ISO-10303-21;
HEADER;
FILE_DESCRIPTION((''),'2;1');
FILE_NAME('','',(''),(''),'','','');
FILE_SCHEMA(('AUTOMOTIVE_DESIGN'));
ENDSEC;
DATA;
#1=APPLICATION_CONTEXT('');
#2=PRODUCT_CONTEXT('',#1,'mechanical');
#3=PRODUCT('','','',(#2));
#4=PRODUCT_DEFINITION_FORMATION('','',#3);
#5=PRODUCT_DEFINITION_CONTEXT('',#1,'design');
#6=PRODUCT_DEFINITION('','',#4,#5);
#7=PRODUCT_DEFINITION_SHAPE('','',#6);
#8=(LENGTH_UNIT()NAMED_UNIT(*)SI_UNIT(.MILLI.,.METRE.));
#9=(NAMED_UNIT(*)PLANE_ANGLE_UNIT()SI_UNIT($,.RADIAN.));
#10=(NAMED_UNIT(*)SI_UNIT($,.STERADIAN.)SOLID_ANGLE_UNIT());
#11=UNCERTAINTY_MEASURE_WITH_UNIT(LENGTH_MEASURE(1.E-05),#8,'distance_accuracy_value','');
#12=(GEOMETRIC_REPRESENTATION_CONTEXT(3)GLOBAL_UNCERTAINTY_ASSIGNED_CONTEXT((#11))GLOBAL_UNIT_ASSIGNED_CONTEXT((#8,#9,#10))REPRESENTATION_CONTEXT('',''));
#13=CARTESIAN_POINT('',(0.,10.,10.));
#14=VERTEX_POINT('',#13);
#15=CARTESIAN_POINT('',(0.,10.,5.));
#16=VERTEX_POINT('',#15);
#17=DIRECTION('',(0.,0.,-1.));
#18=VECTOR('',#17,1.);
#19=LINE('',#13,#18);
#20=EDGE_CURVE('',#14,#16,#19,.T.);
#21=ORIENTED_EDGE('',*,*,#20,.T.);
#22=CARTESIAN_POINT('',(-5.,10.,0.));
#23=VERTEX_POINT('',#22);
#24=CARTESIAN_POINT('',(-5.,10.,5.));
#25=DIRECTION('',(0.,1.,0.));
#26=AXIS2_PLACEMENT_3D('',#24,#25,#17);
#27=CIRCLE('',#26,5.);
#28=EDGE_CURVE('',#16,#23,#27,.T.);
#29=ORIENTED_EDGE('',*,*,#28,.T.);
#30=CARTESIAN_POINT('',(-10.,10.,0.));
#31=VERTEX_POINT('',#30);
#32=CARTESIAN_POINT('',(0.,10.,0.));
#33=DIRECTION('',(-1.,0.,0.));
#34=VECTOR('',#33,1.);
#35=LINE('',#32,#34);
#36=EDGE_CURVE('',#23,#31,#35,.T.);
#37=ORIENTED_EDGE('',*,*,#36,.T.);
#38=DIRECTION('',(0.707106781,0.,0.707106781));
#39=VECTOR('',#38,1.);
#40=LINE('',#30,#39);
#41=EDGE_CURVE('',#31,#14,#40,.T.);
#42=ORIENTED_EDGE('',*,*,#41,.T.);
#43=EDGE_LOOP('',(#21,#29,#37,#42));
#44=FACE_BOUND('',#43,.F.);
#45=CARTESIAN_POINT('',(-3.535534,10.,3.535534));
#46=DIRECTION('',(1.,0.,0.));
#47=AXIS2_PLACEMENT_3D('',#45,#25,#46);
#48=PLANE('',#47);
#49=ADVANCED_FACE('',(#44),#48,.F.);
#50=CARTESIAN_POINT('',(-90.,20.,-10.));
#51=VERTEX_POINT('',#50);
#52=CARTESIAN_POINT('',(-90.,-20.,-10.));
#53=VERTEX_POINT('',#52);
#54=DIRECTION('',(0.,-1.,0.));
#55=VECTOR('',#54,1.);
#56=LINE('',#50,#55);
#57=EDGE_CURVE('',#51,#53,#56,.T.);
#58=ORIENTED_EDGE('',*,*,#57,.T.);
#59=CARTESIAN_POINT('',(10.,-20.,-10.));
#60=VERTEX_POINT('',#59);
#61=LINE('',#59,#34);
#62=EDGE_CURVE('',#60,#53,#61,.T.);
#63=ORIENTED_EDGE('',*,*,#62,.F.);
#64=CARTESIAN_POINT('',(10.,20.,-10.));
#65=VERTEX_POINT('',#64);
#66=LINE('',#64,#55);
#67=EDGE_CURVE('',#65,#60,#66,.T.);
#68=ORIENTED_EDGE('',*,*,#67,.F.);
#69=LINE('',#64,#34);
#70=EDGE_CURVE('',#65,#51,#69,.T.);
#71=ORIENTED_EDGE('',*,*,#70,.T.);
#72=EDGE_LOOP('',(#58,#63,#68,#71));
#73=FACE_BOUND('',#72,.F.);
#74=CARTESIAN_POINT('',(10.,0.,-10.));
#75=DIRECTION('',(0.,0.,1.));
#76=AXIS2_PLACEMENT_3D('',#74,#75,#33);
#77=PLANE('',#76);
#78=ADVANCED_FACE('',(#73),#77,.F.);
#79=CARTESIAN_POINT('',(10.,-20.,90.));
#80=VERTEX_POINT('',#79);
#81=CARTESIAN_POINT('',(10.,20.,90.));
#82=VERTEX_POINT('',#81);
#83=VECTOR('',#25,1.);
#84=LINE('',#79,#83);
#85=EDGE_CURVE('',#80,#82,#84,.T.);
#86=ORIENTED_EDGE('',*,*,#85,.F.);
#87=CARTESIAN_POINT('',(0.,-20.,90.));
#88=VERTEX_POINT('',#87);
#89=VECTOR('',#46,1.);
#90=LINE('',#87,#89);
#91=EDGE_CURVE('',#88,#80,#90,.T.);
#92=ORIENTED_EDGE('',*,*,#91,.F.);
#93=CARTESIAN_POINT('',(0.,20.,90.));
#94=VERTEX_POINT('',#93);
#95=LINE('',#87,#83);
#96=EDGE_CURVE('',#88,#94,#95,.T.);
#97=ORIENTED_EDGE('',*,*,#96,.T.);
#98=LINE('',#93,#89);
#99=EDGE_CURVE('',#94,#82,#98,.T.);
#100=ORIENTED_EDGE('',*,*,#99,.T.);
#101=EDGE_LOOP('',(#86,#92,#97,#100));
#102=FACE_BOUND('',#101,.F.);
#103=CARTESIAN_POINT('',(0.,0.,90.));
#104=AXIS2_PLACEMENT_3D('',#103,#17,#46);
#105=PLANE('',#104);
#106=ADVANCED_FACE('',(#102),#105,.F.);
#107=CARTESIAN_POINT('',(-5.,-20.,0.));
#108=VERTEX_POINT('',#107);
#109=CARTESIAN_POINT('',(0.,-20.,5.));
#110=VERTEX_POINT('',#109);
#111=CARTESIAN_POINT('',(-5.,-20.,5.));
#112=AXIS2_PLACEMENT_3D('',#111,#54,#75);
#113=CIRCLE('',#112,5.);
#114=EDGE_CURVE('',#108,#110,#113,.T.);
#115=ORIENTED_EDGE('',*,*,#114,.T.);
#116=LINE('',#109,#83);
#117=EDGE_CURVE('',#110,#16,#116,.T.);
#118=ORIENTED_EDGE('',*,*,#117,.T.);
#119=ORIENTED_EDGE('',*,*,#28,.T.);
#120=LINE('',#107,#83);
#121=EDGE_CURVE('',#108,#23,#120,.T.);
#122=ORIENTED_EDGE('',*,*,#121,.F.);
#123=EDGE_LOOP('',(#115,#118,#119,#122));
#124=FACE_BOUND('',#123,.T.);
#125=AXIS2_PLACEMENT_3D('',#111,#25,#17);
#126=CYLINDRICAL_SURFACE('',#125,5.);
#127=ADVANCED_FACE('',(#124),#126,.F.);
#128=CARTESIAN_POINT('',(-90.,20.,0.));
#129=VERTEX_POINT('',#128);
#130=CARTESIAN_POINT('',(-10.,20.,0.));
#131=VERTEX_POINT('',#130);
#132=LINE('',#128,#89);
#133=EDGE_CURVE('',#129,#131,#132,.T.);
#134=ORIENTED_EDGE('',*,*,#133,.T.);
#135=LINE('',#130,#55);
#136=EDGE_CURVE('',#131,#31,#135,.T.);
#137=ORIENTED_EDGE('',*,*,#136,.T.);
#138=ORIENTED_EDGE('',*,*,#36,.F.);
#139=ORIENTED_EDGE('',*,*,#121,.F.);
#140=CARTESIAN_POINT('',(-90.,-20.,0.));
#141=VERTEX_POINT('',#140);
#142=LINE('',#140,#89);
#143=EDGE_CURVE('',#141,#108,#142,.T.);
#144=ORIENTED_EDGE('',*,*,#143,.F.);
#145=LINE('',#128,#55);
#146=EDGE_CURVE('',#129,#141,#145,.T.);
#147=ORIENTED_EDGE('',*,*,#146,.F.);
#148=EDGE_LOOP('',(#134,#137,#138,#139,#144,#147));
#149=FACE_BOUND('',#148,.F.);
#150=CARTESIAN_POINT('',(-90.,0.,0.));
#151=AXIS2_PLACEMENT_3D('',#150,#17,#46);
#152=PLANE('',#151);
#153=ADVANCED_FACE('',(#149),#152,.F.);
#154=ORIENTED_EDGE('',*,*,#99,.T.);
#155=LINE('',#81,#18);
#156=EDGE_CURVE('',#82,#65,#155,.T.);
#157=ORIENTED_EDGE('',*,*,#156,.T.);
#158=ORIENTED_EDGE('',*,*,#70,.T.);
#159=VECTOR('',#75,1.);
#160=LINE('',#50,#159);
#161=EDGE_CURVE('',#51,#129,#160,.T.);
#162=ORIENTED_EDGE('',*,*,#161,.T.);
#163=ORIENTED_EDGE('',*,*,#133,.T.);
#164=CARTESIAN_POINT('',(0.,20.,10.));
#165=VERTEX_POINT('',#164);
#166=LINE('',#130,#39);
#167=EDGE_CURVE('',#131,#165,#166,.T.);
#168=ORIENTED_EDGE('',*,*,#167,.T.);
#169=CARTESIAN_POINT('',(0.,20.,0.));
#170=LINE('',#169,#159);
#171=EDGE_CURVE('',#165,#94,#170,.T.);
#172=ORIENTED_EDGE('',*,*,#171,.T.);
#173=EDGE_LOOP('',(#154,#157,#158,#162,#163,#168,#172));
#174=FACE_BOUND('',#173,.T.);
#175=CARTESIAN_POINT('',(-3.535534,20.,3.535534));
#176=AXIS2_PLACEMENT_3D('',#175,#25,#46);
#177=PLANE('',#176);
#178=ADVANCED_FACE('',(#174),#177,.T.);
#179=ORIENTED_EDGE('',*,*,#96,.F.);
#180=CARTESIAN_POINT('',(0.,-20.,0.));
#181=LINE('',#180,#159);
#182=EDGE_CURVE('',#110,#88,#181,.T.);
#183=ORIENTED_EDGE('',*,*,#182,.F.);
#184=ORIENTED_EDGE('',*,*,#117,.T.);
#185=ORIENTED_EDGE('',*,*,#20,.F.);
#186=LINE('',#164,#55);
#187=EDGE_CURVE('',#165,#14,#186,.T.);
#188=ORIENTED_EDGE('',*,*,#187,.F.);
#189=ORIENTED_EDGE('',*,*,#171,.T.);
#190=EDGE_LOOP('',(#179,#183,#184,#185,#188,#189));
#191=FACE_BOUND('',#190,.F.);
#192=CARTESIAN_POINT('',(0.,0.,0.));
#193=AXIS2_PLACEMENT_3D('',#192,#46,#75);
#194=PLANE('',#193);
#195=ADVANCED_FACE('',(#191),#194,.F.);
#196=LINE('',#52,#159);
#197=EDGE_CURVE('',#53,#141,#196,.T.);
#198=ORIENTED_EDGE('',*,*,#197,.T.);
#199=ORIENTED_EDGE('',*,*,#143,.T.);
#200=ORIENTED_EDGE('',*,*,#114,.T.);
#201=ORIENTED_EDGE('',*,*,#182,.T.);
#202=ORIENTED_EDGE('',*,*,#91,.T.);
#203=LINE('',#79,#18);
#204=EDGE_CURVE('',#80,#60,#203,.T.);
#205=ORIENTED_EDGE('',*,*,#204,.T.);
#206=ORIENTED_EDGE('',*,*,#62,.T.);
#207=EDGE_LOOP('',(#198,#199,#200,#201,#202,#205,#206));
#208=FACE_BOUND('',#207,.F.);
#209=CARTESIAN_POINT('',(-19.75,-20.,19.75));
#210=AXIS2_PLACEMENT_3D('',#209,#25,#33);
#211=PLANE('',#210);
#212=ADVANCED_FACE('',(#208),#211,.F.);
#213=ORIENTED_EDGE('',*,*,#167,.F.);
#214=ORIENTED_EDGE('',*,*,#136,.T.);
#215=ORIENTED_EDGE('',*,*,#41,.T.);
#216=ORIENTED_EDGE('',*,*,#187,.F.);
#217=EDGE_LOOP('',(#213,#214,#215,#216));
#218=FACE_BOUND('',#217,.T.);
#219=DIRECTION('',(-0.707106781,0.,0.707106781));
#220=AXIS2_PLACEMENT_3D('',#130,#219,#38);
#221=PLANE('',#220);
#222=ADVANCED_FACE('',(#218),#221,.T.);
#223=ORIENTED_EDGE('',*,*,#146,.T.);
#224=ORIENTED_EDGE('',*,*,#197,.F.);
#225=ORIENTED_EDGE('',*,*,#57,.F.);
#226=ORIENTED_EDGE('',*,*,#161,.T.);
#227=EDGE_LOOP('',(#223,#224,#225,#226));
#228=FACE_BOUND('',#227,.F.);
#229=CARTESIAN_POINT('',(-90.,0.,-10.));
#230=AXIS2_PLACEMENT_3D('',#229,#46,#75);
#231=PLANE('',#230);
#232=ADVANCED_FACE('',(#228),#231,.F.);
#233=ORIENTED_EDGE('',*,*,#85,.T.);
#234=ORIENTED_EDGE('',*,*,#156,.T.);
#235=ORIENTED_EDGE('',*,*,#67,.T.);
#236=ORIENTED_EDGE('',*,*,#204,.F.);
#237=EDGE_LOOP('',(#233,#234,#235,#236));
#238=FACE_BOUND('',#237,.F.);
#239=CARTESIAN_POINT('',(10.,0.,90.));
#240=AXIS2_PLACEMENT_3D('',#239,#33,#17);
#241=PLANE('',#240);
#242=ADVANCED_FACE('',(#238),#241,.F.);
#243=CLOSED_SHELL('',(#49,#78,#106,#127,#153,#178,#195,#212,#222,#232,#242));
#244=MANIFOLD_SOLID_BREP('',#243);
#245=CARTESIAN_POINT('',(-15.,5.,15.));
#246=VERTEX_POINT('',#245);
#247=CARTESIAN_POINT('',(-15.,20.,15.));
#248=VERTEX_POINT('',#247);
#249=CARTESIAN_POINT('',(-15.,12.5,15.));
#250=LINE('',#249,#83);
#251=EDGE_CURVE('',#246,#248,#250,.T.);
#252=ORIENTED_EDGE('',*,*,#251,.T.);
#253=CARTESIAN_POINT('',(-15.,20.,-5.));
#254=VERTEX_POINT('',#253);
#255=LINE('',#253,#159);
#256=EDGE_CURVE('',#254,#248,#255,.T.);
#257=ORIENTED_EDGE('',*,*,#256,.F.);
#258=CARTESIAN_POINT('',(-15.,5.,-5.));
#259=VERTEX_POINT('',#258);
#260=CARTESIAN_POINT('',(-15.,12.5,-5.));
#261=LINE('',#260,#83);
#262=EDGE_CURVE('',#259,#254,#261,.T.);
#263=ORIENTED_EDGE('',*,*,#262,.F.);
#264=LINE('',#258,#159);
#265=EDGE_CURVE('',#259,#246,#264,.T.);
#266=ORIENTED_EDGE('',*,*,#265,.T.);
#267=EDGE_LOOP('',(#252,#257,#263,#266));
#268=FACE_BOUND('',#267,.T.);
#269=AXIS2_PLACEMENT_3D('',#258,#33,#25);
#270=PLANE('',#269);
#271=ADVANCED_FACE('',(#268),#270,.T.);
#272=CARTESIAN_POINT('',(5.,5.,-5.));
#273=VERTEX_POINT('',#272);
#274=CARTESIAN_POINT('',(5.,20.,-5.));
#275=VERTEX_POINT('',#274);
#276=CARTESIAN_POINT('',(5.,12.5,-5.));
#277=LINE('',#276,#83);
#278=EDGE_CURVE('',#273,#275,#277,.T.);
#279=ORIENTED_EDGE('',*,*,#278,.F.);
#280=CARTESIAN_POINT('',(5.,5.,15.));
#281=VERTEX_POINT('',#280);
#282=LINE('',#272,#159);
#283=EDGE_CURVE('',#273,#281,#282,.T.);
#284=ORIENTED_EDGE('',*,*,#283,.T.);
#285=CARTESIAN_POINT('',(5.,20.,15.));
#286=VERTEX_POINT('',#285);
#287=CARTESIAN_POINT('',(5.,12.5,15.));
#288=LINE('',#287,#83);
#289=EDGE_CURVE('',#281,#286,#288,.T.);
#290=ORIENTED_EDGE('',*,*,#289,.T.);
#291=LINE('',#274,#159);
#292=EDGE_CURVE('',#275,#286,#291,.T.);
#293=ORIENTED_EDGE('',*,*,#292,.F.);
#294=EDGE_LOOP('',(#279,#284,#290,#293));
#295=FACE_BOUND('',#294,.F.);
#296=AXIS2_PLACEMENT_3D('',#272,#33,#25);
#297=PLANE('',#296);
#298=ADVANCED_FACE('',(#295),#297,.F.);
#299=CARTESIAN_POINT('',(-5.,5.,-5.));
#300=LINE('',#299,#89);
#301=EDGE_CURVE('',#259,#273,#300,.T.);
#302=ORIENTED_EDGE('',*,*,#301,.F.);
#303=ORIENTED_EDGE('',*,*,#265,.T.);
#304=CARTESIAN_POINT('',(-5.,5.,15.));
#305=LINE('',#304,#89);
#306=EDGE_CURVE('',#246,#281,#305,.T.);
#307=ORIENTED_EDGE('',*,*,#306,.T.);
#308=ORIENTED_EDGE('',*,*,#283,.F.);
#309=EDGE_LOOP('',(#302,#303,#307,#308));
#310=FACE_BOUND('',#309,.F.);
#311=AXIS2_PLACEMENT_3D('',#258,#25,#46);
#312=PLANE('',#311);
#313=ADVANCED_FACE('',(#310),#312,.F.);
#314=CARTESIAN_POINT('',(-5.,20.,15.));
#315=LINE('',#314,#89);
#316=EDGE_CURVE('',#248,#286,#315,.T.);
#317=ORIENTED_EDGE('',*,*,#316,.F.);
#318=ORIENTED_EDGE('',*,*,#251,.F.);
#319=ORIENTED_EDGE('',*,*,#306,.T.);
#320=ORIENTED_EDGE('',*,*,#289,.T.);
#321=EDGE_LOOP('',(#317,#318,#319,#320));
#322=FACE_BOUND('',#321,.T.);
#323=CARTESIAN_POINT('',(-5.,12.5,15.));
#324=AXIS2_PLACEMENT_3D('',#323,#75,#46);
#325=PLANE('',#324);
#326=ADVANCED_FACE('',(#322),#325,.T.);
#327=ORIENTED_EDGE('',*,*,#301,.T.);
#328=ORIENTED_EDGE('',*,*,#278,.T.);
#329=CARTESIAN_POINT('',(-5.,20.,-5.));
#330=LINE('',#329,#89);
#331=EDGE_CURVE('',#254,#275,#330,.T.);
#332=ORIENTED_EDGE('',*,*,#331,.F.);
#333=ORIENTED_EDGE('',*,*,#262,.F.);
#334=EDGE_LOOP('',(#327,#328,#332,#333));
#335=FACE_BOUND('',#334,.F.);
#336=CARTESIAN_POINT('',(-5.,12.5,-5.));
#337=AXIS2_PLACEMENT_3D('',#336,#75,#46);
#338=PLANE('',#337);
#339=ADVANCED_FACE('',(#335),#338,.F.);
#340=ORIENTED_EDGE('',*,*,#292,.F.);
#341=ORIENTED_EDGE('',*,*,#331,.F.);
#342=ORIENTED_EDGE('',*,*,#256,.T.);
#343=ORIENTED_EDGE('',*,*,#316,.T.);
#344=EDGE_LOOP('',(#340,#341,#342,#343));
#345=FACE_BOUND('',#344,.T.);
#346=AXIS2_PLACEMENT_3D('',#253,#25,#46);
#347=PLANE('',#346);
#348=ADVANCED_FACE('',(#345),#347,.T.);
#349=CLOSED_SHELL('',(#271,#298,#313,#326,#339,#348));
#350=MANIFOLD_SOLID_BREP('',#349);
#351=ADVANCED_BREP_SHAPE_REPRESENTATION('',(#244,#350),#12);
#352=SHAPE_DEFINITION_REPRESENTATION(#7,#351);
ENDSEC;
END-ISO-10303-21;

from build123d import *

# Parameters (mm, degrees)
PAD_DEPTH    = 20
FILLET_R     = 5
PAD001_DEPTH = 10
BOX_W        = 20
BOX_H        = 15
BOX_DEPTH    = 20


with BuildPart() as body:
    # Sketch → Pad (new body, symmetric)
    with BuildSketch(Plane.XZ):
        Polygon((-90, 0), (0, 0), (0, 90), (10, 90), (10, -10), (-90, -10), align=None)
    extrude(amount=PAD_DEPTH, both=True)

    # Fillet
    fillet_edges = [body.edges().sort_by_distance(p)[0] for p in [
        (0, 0, 0),
    ]]
    fillet(fillet_edges, radius=FILLET_R)

    # Sketch001 (on Face2 of Fillet) → Pad001 (join)
    with BuildSketch(Plane(origin=(0, 20, 0), x_dir=(1, 0, 0), z_dir=(0, 1, 0))):
        Polygon((-10, 0), (0, -10), (0, 0), align=None)
    extrude(amount=-PAD001_DEPTH)


with BuildPart() as box:
    # Box → Box (new body)
    with BuildSketch(Plane(origin=(-15, 5, -5), x_dir=(1, 0, 0), z_dir=(0, 0, 1))):
        with Locations((10, 7.5)):
            Rectangle(BOX_W, BOX_H)
    extrude(amount=BOX_DEPTH)


solid = Compound([body.part, box.part])
